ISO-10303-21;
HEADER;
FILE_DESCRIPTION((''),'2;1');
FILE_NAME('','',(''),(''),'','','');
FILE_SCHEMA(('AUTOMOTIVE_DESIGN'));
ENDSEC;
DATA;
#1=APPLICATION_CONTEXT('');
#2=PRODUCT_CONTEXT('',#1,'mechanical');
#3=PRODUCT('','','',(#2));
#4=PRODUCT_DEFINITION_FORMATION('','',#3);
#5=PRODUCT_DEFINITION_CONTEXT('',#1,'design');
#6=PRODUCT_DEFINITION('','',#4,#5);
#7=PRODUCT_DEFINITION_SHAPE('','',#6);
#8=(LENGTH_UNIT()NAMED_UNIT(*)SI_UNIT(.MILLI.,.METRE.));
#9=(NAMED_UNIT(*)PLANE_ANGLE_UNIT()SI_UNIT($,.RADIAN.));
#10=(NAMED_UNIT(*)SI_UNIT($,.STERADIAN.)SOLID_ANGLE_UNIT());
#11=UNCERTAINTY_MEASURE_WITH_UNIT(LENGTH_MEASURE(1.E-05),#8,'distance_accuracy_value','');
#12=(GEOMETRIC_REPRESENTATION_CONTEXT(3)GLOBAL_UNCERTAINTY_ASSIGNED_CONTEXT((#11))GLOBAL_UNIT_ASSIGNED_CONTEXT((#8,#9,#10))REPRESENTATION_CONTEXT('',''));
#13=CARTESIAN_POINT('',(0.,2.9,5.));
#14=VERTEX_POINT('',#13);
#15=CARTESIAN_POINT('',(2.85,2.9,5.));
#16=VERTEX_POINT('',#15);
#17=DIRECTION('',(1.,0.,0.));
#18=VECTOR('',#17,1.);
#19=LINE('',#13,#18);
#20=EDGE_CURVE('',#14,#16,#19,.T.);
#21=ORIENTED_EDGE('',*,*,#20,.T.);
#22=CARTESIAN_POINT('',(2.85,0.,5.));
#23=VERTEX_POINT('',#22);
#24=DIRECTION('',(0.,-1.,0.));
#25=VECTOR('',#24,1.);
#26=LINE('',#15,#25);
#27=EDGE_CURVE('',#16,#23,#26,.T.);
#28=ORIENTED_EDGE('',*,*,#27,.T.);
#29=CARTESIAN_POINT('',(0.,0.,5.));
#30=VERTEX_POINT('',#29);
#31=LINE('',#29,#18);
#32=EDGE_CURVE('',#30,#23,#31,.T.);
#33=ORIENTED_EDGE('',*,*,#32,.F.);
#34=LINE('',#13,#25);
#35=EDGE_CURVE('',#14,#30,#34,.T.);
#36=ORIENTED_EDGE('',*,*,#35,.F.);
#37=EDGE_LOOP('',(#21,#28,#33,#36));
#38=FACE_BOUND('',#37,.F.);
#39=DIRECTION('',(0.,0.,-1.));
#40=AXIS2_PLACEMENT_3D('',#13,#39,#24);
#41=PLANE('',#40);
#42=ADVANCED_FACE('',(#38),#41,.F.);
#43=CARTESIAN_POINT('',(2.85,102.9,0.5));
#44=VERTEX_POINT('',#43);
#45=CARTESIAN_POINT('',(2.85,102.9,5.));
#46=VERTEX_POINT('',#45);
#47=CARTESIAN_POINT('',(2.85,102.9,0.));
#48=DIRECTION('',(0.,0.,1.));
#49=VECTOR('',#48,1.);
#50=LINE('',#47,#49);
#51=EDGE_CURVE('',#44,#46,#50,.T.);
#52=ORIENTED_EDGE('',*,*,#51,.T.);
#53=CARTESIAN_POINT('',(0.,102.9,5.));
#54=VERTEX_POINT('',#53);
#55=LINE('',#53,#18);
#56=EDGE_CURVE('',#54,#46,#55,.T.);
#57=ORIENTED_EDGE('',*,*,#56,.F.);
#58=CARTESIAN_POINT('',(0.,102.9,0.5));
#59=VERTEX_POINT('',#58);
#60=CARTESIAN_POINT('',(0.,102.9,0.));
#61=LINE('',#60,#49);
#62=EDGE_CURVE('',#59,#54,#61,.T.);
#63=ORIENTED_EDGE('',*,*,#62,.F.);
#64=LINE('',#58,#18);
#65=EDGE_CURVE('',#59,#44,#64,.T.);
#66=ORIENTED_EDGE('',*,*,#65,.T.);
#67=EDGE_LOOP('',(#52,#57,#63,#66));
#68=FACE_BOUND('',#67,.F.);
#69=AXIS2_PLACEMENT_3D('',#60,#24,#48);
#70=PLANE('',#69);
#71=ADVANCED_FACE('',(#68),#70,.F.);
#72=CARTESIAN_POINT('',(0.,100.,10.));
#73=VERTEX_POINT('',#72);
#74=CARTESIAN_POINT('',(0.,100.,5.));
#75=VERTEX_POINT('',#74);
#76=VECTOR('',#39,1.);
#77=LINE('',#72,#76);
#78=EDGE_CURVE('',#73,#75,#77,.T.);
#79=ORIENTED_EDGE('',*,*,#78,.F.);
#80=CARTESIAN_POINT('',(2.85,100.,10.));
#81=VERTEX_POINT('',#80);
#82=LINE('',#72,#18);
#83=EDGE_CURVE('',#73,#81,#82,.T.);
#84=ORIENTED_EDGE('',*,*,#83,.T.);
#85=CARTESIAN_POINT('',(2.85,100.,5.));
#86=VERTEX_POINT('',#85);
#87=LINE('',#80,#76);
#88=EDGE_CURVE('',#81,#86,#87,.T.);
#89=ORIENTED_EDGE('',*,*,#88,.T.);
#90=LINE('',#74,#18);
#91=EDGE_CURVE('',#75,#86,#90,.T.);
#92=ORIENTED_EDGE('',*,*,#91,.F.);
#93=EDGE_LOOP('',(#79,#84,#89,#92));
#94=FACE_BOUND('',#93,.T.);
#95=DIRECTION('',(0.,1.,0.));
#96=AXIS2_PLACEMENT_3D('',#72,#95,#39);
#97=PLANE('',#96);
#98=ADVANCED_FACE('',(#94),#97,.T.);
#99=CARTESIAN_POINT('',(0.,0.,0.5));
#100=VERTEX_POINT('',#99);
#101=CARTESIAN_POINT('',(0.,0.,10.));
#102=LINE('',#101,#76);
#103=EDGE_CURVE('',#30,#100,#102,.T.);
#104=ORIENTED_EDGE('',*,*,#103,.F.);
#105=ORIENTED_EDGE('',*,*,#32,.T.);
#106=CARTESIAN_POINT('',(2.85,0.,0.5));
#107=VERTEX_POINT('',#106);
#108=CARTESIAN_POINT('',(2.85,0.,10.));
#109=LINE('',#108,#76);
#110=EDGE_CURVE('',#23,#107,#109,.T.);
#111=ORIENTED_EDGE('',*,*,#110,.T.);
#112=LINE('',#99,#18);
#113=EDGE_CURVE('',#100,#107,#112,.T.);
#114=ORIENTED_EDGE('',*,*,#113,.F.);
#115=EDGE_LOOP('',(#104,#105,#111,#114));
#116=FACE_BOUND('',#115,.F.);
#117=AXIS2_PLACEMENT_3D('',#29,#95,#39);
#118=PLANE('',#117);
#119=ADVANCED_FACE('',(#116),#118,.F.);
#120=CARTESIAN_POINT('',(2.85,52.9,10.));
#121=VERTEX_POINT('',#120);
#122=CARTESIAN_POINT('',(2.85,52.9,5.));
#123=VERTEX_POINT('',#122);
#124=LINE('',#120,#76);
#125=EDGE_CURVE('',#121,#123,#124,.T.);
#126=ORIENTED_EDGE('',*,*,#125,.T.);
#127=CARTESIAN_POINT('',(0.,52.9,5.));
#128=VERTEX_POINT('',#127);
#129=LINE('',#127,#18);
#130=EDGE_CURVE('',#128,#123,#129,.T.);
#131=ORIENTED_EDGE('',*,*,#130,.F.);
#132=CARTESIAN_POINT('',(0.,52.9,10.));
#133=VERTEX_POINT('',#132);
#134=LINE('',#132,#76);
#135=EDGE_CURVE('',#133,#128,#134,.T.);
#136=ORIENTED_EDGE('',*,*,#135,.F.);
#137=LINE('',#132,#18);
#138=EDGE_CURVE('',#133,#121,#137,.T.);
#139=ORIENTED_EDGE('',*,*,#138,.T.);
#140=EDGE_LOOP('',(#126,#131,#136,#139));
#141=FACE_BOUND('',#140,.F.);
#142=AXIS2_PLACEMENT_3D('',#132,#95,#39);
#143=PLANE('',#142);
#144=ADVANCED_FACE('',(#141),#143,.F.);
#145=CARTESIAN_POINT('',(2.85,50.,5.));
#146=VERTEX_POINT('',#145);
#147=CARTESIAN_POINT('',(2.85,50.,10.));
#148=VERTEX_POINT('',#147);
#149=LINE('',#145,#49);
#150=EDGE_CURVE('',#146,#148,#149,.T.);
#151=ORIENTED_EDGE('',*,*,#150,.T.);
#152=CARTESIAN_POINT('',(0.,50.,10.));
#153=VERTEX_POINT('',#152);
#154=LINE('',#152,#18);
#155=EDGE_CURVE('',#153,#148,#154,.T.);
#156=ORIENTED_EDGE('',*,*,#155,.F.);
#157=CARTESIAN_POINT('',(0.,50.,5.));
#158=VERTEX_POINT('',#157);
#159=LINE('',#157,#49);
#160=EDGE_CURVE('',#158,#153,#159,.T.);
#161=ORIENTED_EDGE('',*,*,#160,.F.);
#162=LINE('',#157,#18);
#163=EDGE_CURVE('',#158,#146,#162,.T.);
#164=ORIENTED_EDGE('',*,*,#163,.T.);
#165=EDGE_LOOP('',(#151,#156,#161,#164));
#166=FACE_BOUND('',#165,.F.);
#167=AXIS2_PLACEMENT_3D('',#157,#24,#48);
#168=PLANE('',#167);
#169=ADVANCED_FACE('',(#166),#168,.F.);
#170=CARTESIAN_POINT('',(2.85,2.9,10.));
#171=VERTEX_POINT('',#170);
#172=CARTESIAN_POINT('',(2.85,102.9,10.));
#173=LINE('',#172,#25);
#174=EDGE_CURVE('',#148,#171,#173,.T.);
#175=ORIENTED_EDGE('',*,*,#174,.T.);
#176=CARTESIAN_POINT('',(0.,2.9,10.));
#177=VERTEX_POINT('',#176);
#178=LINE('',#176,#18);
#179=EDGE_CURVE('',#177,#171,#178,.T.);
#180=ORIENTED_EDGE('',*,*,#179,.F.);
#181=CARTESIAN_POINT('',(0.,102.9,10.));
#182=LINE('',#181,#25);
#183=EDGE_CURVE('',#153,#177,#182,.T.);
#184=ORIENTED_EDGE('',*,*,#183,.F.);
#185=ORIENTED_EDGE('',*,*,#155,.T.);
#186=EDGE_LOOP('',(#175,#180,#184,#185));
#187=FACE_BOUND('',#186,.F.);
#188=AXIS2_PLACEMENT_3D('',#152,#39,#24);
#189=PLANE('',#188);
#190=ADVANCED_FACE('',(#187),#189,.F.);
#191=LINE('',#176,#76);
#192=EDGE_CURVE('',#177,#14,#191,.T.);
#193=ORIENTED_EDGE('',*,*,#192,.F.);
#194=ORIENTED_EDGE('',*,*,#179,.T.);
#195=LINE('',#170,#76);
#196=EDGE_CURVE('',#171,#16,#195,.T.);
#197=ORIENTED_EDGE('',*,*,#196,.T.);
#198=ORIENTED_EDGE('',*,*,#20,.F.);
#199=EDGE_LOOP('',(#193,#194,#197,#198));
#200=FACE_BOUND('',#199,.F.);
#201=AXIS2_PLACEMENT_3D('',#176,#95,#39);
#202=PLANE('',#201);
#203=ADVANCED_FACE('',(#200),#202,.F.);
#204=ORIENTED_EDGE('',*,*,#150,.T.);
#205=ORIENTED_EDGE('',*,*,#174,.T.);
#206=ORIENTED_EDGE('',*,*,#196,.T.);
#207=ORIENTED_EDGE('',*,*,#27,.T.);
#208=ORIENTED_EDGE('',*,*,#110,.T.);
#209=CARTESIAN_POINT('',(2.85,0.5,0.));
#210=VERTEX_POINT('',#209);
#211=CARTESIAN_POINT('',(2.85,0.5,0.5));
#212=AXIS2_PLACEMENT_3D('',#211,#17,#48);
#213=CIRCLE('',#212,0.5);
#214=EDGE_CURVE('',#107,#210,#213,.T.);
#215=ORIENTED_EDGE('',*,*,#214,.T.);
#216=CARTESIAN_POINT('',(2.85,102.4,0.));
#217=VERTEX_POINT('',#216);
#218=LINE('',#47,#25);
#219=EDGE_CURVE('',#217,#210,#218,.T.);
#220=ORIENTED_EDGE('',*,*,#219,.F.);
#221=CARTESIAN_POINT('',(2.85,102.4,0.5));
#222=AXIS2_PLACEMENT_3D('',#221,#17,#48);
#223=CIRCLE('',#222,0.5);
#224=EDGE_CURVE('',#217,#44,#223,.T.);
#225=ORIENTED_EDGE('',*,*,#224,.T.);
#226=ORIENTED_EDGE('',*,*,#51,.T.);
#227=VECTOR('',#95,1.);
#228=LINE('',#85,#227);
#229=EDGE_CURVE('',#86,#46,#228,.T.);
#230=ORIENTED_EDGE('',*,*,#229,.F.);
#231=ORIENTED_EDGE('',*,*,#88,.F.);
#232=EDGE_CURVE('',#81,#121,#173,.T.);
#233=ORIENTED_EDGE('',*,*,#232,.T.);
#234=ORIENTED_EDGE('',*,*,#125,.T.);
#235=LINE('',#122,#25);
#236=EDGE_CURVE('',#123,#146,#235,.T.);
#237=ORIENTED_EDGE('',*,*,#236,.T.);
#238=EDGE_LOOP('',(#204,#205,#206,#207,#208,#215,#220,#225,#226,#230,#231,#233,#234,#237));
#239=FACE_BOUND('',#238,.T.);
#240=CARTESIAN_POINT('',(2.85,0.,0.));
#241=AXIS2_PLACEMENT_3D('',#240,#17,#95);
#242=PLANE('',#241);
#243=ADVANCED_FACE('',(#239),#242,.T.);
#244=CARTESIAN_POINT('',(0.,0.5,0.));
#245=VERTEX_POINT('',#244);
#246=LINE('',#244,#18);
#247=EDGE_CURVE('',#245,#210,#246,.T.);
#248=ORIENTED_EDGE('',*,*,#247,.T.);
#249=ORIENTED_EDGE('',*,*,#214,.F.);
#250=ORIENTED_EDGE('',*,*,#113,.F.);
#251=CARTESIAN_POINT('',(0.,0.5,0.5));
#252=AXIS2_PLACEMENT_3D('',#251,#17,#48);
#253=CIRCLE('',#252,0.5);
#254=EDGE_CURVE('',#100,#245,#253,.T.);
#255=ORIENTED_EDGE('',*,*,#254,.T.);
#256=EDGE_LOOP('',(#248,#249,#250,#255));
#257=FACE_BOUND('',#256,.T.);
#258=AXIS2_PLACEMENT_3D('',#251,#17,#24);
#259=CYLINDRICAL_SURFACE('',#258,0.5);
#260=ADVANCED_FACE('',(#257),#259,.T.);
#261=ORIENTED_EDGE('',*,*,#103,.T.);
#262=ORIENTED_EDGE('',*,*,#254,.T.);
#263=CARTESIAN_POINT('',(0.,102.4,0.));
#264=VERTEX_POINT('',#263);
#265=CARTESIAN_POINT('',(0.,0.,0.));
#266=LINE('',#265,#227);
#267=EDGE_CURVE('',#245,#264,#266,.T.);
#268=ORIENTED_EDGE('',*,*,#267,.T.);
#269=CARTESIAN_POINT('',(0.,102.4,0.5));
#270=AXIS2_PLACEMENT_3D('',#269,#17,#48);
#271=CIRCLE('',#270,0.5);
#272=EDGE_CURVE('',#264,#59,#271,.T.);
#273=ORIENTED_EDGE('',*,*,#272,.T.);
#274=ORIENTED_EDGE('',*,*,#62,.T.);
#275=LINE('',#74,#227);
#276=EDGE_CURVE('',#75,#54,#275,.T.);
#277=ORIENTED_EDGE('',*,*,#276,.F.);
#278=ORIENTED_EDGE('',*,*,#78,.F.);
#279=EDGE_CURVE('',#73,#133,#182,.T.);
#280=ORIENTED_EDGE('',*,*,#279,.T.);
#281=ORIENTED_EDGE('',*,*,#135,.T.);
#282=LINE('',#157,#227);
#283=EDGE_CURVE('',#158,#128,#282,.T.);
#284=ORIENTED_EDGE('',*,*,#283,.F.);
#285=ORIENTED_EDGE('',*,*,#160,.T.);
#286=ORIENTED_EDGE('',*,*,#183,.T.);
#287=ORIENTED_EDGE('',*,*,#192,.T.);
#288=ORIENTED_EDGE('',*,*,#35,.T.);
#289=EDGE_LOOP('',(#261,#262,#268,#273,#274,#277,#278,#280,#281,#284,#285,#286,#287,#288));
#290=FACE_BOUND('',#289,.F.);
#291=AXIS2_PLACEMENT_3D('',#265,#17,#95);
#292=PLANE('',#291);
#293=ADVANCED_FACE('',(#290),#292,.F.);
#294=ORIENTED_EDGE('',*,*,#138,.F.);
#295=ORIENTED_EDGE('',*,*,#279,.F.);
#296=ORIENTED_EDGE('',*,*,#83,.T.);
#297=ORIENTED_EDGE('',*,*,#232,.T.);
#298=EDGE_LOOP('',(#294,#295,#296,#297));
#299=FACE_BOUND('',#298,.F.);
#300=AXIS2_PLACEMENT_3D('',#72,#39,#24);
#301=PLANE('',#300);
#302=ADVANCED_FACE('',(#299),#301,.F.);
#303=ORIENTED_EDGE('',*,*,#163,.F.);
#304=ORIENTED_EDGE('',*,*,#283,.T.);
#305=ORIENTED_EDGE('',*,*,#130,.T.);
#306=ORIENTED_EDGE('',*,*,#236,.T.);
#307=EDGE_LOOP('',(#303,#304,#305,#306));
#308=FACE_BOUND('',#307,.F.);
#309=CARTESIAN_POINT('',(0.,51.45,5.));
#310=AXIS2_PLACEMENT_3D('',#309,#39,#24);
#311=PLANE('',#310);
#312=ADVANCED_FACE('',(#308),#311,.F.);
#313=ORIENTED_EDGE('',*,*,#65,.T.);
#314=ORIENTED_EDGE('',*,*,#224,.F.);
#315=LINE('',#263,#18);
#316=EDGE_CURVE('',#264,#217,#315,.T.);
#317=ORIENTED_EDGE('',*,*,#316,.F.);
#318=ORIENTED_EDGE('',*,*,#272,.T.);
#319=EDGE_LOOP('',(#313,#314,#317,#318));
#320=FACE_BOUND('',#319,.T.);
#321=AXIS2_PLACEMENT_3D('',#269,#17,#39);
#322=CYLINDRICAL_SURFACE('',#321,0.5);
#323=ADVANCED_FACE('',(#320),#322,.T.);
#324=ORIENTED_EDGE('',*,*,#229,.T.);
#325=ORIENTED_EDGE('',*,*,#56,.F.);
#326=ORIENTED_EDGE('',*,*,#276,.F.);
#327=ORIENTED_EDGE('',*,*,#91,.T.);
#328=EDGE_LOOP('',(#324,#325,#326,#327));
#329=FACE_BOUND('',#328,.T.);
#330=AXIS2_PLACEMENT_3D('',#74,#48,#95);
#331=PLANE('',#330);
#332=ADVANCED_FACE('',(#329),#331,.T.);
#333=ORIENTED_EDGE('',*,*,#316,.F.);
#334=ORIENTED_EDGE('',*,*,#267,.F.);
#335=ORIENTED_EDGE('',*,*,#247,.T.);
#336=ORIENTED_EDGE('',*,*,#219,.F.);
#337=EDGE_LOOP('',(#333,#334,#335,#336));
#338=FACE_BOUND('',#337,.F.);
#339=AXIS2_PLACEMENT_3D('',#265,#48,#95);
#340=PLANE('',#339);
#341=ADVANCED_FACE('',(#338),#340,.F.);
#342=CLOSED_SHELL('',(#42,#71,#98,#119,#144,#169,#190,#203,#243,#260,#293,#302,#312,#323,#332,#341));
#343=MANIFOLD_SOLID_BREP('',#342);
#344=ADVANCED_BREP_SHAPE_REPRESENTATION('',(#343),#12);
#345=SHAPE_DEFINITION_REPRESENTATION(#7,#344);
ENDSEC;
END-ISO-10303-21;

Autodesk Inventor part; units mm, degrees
ref_plane "YZ Plane" through (0, 0, 0) normal (1, 0, 0) x (0, 1, 0)
ref_plane "XZ Plane" through (0, 0, 0) normal (0, 1, 0) x (-1, 0, 0)
ref_plane "XY Plane" through (0, 0, 0) normal (0, 0, 1) x (1, 0, 0)
sketch "Sketch1" plane through (0, 0, 0) normal (1, 0, 0) x (0, 1, 0)
  line L0 (0, 0) -> (102.9, 0)
  line L1 (102.9, 0) -> (102.9, 10)
  line L2 (102.9, 10) -> (0, 10)
  line L3 (0, 10) -> (0, 0)
  line L4 (50, 10) -> (52.9, 10)
  line L5 (52.9, 10) -> (52.9, 5)
  line L6 (52.9, 5) -> (50, 5)
  line L7 (50, 5) -> (50, 10)
  line L8 (102.9, 10) -> (100, 10)
  line L9 (100, 10) -> (100, 5)
  line L10 (100, 5) -> (102.9, 5)
  line L11 (102.9, 5) -> (102.9, 10)
  line L12 (2.9, 5) -> (0, 5)
  line L13 (0, 5) -> (0, 10)
  line L14 (0, 10) -> (2.9, 10)
  line L15 (2.9, 10) -> (2.9, 5)
  line L16 (51.45, 5) -> (51.45, 0)
  point P0 (51.45, 10)
  dimension "d0" = 2.9
  dimension "d1" = 5
  dimension "d2" = 10
  dimension "d3" = 50
extrude "Extrusion1" add sketch "Sketch1" along normal blind 2.85 contours L3 L12 L15 L2 L7 L6 L16 L0 | L16 L6 L5 L2 L9 L10 L1 L0
fillet "Fillet1" radius 0.5 2 edges at (1.425, 0, 0) (1.425, 102.9, 0)
properties part number "comb_spacer"
